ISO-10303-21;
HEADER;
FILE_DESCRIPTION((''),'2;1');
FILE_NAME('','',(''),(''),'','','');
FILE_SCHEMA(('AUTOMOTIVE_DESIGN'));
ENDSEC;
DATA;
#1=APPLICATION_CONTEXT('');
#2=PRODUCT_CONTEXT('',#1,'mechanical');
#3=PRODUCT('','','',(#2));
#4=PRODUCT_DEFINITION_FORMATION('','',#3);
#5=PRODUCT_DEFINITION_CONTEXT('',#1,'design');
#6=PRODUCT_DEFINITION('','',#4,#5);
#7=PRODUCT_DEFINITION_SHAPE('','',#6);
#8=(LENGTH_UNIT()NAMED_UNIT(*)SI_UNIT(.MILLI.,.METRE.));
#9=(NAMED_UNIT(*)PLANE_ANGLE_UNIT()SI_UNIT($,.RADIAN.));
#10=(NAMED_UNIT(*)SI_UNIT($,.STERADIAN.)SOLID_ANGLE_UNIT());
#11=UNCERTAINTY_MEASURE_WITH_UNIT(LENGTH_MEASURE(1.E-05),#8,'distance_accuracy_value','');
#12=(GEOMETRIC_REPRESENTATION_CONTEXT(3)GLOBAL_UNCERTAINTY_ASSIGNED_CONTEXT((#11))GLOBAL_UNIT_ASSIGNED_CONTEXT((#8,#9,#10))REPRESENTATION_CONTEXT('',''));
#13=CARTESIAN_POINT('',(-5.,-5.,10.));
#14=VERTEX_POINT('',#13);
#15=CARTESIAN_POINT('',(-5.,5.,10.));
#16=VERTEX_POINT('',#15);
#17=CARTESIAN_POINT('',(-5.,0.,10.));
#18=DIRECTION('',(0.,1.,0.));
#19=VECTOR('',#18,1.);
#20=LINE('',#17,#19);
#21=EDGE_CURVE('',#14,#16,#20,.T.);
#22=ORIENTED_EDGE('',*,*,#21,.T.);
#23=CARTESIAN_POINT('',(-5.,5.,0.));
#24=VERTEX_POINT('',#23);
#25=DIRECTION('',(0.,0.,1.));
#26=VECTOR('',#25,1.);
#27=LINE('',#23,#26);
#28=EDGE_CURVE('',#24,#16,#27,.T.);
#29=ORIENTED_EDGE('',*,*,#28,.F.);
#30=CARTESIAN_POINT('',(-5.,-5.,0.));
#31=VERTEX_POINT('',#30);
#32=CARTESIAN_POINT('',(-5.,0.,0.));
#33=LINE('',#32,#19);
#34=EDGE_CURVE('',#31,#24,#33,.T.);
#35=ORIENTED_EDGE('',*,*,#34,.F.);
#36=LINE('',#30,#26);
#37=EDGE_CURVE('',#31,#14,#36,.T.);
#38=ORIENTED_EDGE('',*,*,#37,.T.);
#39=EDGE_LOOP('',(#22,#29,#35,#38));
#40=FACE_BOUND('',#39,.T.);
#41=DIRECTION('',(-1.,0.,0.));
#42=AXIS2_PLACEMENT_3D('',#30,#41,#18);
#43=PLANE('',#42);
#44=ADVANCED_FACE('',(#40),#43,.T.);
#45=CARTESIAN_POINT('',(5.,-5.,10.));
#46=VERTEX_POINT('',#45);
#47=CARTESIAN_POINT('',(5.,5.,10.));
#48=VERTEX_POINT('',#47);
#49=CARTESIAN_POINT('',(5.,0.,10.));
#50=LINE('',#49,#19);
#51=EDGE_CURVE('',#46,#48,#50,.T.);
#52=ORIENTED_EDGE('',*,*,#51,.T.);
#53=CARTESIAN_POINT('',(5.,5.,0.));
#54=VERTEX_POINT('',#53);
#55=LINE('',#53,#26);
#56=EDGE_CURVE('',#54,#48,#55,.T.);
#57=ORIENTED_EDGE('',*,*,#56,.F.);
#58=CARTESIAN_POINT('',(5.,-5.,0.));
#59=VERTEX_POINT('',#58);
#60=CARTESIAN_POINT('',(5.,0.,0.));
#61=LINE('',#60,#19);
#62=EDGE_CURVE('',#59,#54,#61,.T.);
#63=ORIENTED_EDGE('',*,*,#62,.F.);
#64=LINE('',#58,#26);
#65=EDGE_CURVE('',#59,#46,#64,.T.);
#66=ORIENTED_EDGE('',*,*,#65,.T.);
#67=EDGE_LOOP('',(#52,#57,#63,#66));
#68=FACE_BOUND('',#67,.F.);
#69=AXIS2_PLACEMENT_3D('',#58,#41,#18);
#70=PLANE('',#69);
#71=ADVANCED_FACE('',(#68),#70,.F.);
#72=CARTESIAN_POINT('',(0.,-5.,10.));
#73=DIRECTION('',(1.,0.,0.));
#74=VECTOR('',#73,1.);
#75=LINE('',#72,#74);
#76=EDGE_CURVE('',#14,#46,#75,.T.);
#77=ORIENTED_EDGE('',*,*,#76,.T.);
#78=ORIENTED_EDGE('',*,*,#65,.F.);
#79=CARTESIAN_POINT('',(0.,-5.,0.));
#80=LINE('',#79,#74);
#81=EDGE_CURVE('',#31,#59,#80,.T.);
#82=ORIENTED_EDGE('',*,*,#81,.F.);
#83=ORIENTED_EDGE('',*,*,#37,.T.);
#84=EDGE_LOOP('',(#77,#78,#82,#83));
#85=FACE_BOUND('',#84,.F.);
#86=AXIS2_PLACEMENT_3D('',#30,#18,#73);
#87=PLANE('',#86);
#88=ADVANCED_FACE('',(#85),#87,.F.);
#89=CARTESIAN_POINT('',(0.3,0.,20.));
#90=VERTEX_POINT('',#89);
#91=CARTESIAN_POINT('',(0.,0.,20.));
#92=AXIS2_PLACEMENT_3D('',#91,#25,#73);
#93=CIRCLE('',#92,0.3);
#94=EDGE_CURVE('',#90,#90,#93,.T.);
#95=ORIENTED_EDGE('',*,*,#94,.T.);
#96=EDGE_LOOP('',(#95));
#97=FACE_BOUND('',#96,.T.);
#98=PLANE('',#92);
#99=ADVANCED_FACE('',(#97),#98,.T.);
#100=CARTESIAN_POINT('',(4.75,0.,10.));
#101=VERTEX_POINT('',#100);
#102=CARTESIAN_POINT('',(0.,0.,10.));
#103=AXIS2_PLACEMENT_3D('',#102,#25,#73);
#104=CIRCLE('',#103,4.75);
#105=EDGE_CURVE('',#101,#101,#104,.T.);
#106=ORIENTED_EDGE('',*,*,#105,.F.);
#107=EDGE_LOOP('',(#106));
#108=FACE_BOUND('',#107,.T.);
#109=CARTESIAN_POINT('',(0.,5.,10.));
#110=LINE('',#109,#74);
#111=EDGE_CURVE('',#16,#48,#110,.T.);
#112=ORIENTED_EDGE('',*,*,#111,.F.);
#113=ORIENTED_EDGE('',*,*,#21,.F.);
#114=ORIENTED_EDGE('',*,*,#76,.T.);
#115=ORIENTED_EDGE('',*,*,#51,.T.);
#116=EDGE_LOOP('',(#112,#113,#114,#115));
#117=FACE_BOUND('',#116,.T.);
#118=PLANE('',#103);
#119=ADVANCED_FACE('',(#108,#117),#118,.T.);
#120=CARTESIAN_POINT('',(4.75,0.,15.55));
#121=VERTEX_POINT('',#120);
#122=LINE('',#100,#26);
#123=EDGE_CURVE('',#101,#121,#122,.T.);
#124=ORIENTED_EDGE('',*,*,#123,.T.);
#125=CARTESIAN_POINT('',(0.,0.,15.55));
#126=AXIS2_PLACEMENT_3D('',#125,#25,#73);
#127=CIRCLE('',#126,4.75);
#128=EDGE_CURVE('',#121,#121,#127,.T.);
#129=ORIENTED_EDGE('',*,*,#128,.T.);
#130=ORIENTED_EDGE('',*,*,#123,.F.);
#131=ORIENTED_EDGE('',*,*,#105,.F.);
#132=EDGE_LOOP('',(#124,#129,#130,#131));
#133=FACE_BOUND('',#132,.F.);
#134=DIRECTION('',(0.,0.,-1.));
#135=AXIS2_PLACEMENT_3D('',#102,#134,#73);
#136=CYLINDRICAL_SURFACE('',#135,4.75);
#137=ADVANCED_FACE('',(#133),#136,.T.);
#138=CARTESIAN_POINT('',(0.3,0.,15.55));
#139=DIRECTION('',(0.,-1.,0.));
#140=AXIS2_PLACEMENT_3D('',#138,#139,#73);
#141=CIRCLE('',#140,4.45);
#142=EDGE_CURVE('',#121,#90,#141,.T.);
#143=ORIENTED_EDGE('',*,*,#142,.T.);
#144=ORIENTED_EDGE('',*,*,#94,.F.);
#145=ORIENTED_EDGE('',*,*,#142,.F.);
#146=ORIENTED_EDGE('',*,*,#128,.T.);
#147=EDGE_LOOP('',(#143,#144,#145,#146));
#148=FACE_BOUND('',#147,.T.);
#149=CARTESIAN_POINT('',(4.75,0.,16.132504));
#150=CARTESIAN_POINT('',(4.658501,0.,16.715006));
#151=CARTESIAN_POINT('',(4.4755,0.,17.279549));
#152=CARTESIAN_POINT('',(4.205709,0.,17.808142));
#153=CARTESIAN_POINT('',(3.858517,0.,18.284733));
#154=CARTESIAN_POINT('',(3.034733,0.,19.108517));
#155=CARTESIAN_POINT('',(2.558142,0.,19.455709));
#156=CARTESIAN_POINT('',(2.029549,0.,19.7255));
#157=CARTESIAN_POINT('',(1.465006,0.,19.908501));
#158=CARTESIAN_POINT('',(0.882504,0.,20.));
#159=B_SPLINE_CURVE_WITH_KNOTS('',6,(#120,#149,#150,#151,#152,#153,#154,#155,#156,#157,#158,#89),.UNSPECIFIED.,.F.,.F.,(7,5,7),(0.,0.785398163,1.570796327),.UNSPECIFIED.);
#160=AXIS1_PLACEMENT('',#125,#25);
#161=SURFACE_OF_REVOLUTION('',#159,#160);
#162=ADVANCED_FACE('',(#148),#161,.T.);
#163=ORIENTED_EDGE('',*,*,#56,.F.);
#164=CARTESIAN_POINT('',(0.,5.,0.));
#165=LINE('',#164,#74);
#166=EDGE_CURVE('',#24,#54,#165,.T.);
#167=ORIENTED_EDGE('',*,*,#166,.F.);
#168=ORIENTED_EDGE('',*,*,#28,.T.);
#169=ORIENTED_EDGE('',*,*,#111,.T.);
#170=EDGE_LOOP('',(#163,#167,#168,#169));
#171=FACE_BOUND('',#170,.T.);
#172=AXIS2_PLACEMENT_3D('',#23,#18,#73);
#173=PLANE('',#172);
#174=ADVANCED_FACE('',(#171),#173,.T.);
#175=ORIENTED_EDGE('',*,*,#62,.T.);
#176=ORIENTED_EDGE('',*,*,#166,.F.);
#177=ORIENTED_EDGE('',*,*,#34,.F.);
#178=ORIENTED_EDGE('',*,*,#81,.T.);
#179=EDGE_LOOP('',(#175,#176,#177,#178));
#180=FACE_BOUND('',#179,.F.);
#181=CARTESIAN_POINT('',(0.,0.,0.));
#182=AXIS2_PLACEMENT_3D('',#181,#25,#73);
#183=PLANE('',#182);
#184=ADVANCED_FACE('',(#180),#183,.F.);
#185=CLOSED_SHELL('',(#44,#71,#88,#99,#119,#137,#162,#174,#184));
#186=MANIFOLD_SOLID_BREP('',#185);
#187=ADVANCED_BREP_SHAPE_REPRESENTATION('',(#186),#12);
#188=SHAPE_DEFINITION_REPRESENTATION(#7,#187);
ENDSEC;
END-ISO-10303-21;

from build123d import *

# Parameters (mm, degrees)
SKETCH_W     = 10
SKETCH_H     = 10
PAD_DEPTH    = 10
SKETCH001_R  = 4.75
PAD001_DEPTH = 10
FILLET_R     = 4.45


with BuildPart() as part:
    # Sketch → Pad (new body)
    with BuildSketch(Plane.XY):
        Rectangle(SKETCH_W, SKETCH_H)
    extrude(amount=PAD_DEPTH)

    # Sketch001 (on Face6 of Pad) → Pad001 (join)
    with BuildSketch(Plane.XY.offset(10)):
        Circle(SKETCH001_R)
    extrude(amount=PAD001_DEPTH)

    # Fillet
    fillet_edges = [part.edges().sort_by_distance(p)[0] for p in [
        (-4.75, 0, 20),
    ]]
    fillet(fillet_edges, radius=FILLET_R)


solid = part.part
